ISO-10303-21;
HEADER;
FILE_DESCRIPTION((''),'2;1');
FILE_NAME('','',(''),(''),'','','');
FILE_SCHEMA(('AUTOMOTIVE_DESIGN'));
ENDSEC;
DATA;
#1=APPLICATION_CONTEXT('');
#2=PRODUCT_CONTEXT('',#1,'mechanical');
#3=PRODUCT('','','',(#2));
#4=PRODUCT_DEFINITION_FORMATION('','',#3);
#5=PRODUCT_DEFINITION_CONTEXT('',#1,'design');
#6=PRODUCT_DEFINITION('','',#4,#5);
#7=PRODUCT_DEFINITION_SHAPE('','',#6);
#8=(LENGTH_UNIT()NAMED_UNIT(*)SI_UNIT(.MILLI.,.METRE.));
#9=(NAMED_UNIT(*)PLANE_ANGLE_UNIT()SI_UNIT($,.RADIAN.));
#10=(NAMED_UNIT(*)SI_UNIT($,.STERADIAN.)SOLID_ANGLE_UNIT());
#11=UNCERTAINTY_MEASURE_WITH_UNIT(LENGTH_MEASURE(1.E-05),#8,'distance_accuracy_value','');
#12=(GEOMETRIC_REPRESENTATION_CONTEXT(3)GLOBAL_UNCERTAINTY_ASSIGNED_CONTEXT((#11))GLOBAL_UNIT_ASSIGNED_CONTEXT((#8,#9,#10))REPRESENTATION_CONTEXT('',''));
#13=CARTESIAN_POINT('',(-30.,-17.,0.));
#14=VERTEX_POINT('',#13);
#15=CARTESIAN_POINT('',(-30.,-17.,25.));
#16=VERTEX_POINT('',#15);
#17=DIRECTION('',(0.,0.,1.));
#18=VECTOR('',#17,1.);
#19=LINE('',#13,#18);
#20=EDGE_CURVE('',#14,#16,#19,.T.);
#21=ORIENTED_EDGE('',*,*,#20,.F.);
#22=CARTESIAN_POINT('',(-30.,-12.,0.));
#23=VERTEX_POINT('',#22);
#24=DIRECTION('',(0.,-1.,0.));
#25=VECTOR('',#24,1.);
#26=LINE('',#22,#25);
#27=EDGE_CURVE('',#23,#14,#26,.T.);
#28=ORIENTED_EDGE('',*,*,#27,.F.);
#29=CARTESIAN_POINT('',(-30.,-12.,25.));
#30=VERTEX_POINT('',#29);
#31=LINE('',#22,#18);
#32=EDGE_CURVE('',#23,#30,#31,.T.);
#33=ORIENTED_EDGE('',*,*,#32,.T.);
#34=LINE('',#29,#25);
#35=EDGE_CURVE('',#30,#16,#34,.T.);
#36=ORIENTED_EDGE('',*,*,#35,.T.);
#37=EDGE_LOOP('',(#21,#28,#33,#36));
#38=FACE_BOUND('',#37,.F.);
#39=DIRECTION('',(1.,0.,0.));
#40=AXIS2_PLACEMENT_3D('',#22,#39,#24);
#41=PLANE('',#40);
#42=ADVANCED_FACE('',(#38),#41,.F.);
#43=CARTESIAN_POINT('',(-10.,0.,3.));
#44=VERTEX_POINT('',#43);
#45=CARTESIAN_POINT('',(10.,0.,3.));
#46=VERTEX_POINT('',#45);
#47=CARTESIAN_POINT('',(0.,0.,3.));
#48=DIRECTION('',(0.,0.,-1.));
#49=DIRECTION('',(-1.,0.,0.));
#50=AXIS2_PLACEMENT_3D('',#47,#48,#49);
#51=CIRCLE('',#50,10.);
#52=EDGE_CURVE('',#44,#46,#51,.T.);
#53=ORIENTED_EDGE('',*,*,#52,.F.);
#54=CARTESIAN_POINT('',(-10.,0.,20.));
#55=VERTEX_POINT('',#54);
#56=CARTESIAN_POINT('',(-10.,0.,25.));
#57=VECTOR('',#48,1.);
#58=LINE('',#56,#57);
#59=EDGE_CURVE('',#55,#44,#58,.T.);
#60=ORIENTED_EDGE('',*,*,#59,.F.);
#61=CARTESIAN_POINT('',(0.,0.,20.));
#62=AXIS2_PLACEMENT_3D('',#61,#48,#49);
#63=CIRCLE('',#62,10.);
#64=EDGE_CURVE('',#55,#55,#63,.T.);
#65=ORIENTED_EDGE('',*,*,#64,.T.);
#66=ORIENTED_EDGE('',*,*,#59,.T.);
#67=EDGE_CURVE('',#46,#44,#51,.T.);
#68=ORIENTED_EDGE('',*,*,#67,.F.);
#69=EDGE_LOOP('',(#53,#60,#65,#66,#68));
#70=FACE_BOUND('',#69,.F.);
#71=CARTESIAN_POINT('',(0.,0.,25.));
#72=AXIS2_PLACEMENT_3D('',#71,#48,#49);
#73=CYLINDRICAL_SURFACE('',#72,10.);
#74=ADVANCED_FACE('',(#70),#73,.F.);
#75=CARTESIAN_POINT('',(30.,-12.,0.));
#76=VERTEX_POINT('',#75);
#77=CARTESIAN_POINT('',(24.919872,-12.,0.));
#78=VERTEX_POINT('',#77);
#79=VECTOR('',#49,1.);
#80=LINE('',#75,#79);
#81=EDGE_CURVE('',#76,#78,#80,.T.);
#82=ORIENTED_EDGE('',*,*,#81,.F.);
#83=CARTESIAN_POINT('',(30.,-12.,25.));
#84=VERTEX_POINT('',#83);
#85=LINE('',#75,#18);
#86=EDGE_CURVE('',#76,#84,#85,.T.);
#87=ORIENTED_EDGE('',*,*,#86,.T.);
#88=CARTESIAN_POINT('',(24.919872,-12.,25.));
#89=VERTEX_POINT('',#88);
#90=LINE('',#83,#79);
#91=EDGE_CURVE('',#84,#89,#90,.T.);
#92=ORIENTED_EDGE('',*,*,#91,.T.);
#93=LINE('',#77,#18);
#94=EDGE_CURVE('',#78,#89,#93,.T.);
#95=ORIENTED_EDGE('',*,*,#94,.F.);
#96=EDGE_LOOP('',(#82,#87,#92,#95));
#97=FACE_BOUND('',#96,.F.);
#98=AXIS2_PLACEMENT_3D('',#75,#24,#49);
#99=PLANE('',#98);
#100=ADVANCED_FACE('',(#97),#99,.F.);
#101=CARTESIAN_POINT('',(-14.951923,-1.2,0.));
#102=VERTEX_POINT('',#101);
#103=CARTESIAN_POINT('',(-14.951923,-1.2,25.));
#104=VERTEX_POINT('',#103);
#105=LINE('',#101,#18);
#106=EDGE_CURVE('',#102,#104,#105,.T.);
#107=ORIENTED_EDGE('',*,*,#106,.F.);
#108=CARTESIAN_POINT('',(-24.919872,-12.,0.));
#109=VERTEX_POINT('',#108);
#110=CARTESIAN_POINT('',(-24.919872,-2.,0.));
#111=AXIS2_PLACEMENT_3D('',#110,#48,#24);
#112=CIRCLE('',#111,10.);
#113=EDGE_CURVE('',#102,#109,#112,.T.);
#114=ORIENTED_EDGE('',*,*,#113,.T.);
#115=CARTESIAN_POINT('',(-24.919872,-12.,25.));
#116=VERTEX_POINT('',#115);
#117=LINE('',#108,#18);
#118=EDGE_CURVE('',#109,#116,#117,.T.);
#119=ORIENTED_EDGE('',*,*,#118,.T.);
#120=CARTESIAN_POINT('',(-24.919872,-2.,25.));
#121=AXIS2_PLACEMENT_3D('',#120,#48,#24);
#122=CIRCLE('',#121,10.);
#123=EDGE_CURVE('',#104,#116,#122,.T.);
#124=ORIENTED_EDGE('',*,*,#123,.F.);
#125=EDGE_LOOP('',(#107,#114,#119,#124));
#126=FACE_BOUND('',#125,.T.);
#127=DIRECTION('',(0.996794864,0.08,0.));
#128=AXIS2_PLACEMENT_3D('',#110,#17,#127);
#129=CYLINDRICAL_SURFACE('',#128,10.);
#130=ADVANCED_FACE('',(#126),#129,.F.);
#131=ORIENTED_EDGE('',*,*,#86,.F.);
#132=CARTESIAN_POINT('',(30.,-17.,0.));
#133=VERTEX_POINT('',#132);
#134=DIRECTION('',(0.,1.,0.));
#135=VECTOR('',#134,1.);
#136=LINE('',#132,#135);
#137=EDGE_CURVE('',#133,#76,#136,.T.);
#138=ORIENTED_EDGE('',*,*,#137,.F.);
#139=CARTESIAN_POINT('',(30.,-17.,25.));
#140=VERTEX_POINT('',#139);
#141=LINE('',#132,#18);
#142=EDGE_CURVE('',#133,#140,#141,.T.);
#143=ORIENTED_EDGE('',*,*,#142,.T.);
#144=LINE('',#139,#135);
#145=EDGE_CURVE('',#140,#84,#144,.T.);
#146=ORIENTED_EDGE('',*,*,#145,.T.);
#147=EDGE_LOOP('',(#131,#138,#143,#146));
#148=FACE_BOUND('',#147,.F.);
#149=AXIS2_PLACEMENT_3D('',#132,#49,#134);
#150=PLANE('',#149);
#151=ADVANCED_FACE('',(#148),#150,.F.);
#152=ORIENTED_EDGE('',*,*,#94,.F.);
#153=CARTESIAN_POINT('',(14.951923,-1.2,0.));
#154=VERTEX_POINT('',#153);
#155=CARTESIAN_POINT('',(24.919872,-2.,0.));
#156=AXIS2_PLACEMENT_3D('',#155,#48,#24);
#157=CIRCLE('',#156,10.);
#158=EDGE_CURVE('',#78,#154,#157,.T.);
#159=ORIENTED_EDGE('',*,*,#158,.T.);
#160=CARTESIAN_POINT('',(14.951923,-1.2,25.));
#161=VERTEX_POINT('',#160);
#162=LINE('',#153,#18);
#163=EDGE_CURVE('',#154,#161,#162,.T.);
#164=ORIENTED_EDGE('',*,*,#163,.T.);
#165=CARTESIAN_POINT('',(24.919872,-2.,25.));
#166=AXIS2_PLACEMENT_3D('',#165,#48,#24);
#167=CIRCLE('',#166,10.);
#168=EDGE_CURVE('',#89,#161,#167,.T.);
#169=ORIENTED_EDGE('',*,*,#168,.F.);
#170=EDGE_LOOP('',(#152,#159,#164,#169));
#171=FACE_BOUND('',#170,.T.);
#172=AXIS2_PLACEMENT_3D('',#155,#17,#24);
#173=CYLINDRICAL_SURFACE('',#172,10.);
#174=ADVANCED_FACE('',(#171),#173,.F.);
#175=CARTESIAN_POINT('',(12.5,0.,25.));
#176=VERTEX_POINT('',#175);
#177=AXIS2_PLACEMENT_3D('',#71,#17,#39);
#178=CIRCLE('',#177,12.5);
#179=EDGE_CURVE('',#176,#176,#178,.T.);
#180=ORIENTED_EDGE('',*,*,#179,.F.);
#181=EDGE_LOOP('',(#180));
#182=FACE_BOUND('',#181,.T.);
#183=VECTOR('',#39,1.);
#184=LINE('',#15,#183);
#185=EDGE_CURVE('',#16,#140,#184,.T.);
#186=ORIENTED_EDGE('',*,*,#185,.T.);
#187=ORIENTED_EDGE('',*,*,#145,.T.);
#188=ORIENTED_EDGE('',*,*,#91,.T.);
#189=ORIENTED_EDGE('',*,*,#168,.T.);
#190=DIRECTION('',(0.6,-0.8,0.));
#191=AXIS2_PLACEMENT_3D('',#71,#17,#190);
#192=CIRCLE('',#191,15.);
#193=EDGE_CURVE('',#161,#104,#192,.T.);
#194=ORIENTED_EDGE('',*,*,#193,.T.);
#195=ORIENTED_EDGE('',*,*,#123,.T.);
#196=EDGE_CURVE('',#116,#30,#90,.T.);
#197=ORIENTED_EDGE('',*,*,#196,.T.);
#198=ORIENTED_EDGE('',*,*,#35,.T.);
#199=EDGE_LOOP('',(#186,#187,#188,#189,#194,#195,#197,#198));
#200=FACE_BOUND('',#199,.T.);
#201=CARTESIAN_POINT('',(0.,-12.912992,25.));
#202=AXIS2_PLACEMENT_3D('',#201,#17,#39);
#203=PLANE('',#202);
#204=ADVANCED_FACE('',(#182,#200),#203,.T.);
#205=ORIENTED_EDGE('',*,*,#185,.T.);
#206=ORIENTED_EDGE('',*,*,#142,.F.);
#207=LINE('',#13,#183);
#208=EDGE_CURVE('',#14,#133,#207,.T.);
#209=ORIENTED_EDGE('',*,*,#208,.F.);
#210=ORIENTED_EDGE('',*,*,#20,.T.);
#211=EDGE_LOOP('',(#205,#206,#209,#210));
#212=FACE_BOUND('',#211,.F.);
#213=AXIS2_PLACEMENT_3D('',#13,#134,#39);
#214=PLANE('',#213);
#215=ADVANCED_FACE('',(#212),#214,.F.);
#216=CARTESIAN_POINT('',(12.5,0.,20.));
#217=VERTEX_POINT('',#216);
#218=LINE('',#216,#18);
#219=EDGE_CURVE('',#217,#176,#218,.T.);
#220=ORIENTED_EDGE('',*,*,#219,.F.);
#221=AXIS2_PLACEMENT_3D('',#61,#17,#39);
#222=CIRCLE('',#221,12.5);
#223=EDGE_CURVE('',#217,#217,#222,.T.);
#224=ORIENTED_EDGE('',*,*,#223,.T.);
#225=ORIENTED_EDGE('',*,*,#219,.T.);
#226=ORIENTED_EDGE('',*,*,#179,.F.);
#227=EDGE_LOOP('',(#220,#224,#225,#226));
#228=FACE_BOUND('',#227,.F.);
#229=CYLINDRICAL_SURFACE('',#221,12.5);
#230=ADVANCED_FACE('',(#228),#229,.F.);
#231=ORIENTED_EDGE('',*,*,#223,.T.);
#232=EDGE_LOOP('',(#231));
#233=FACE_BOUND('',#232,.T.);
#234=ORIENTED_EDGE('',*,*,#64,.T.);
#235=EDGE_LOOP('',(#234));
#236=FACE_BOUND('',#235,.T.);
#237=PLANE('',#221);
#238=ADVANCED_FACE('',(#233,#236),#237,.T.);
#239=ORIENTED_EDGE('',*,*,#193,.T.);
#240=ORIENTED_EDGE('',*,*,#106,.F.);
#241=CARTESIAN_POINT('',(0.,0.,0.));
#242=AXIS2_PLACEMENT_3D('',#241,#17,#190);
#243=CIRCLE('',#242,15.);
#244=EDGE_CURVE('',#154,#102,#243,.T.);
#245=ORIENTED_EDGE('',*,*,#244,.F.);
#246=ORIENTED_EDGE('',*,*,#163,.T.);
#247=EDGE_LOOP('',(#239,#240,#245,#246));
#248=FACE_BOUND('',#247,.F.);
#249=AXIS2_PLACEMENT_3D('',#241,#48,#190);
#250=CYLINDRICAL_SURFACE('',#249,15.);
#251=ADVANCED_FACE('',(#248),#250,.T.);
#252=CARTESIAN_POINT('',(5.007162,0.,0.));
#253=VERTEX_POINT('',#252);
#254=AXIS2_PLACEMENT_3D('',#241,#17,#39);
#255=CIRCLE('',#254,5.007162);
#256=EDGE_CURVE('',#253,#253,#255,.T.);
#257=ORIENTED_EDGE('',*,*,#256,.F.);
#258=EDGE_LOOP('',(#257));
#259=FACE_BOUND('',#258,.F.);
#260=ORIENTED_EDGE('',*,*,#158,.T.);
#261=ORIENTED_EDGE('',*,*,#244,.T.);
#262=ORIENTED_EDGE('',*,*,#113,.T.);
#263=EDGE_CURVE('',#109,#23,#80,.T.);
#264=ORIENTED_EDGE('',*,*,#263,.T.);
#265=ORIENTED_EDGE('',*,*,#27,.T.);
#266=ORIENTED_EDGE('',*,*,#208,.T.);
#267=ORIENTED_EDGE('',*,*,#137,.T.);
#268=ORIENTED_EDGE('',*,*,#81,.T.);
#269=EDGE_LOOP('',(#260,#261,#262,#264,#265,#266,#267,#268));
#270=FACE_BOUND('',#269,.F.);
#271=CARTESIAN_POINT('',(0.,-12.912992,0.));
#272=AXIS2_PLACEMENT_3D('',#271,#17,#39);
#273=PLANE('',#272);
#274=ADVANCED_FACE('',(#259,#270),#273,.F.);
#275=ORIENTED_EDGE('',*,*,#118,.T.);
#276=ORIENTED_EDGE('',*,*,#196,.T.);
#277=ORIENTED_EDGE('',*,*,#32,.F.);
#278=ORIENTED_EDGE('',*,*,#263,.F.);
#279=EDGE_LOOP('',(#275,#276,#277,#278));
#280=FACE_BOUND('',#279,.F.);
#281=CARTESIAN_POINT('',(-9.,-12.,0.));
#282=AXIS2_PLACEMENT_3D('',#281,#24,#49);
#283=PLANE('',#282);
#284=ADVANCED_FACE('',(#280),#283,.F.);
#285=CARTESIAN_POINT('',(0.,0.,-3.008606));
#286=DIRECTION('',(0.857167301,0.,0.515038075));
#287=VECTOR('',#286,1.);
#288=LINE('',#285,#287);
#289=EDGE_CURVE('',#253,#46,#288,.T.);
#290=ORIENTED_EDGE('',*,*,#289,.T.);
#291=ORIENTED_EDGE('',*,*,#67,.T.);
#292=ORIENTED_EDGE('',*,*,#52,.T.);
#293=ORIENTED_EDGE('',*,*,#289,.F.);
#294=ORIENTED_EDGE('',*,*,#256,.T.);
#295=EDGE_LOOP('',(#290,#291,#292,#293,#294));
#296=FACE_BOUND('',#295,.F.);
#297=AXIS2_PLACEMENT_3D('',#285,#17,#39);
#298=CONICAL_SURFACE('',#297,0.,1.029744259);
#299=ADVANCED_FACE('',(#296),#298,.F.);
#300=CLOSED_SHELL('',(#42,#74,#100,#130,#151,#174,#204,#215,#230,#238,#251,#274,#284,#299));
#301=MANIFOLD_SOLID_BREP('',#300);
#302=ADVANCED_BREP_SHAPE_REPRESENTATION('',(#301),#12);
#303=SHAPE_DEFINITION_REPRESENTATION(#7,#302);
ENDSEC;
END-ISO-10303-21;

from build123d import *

# Parameters (mm, degrees)
F1_DEPTH       = 25
F2_R           = 10
F4_D           = 20
F4_DEPTH       = 22
F4_CBORE_D     = 25
F4_CBORE_DEPTH = 5
F4_TIP         = 6.0086061903


with BuildPart() as f1:
    # F0 (on Top) → F1 (new body)
    with BuildSketch(Plane.XY):
        with BuildLine():
            Line((9, -12), (-9, -12))
            ThreePointArc((-9, -12), (0, -15), (9, -12))
        make_face()
        with BuildLine():
            ThreePointArc((9, -12), (0, -15), (-9, -12))
            Line((-9, -12), (-30, -12))
            Line((-30, -12), (-30, -17))
            Line((-30, -17), (30, -17))
            Line((30, -17), (30, -12))
            Line((30, -12), (9, -12))
        make_face()
        with BuildLine():
            ThreePointArc((9, -12), (13.416407865, -6.7082039325), (15, 0))
            ThreePointArc((15, 0), (-6.7082039325, 13.416407865), (-9, -12))
            Line((-9, -12), (9, -12))
        make_face()
    extrude(amount=F1_DEPTH)

    # F2
    f2_edges = [f1.edges().sort_by_distance(p)[0] for p in [
        (-9, -12, 12.5),
        (9, -12, 12.5),
    ]]
    fillet(f2_edges, radius=F2_R)

    # F4
    with Locations(Plane.XY.offset(25)):
        with Locations((0, 0)):
            CounterBoreHole(F4_D / 2, F4_CBORE_D / 2, F4_CBORE_DEPTH, depth=F4_DEPTH)
            with Locations((0, 0, -(F4_DEPTH + F4_TIP / 2))):  # 118° drill point
                Cone(0, F4_D / 2, F4_TIP, mode=Mode.SUBTRACT)


solid = f1.part
